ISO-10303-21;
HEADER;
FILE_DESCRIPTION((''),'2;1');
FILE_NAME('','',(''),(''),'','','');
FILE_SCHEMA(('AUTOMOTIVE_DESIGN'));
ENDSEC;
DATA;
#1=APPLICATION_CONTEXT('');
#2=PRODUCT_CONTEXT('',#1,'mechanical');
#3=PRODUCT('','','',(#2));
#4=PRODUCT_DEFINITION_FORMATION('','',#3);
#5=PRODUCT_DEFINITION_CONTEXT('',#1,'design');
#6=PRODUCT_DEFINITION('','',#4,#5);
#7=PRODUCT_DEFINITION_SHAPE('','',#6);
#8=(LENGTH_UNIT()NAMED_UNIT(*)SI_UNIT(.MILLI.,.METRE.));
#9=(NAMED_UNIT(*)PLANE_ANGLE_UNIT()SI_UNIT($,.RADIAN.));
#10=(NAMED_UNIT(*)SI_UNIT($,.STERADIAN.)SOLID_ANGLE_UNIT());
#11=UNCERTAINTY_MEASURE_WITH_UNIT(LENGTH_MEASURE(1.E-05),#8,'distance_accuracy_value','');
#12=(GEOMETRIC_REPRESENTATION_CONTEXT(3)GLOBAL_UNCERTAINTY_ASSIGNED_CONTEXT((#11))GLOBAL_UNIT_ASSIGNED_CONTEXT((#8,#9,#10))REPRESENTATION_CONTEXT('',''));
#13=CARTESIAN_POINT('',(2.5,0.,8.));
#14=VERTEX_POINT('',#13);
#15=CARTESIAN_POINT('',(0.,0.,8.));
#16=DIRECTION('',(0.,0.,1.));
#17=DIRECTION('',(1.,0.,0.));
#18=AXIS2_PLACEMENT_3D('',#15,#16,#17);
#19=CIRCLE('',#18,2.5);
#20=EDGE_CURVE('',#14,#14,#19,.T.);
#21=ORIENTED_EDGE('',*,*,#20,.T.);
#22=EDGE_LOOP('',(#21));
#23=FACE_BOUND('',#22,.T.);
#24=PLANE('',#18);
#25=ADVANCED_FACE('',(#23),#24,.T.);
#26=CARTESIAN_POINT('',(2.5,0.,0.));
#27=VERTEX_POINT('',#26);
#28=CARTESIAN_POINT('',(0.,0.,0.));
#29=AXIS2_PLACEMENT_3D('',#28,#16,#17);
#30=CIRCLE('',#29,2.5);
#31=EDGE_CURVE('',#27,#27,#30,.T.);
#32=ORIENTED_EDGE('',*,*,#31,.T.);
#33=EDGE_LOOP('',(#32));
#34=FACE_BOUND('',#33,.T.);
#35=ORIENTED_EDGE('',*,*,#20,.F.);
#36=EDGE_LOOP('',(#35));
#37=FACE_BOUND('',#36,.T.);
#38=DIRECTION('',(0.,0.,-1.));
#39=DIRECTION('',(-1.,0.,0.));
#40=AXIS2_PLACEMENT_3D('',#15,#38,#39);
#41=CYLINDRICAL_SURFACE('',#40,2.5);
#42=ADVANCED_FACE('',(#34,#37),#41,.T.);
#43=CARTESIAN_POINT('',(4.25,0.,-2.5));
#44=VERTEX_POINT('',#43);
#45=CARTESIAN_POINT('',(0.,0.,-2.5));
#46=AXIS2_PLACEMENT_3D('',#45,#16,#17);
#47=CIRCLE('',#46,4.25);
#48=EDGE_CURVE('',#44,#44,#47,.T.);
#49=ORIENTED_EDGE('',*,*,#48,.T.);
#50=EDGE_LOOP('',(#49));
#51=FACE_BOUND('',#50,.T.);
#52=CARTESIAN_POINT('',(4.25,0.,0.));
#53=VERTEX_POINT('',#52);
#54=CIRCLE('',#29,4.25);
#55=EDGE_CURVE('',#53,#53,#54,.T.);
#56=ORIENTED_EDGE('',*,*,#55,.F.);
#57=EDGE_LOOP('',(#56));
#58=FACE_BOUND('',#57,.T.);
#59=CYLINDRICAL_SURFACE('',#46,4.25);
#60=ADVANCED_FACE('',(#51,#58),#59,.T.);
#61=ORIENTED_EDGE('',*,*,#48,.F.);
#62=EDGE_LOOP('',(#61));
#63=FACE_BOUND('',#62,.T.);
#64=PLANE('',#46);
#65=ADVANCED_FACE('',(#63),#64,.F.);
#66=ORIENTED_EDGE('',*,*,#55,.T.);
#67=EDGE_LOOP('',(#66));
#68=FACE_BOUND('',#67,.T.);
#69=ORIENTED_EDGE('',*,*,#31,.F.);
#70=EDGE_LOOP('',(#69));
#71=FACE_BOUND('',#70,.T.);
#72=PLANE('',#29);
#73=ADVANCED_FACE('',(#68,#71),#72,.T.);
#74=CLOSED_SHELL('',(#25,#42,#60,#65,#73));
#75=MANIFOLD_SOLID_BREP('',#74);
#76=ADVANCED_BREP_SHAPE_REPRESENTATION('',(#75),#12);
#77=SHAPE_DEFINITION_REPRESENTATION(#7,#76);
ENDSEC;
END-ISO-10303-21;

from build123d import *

# Parameters (mm, degrees)
SKETCH1_R           = 4.25
SKETCH1_R_2         = 2.5
BOSS_EXTRUDE3_DEPTH = 2.5
SKETCH1_3_R         = 2.5
BOSS_EXTRUDE4_DEPTH = 8


with BuildPart() as part:
    # Sketch1 → Boss-Extrude3 (new body)
    # profile 1 of 2: a face of its own
    with BuildSketch(Plane.XY):
        Circle(SKETCH1_R)
        Circle(SKETCH1_R_2, mode=Mode.SUBTRACT)
    # profile 2 of 2: a face of its own
    with BuildSketch(Plane.XY):
        Circle(SKETCH1_R_2)
    extrude(amount=-BOSS_EXTRUDE3_DEPTH)

    # Sketch1<3> → Boss-Extrude4 (add)
    with BuildSketch(Plane.XY):
        Circle(SKETCH1_3_R)
    extrude(amount=BOSS_EXTRUDE4_DEPTH)


solid = part.part
